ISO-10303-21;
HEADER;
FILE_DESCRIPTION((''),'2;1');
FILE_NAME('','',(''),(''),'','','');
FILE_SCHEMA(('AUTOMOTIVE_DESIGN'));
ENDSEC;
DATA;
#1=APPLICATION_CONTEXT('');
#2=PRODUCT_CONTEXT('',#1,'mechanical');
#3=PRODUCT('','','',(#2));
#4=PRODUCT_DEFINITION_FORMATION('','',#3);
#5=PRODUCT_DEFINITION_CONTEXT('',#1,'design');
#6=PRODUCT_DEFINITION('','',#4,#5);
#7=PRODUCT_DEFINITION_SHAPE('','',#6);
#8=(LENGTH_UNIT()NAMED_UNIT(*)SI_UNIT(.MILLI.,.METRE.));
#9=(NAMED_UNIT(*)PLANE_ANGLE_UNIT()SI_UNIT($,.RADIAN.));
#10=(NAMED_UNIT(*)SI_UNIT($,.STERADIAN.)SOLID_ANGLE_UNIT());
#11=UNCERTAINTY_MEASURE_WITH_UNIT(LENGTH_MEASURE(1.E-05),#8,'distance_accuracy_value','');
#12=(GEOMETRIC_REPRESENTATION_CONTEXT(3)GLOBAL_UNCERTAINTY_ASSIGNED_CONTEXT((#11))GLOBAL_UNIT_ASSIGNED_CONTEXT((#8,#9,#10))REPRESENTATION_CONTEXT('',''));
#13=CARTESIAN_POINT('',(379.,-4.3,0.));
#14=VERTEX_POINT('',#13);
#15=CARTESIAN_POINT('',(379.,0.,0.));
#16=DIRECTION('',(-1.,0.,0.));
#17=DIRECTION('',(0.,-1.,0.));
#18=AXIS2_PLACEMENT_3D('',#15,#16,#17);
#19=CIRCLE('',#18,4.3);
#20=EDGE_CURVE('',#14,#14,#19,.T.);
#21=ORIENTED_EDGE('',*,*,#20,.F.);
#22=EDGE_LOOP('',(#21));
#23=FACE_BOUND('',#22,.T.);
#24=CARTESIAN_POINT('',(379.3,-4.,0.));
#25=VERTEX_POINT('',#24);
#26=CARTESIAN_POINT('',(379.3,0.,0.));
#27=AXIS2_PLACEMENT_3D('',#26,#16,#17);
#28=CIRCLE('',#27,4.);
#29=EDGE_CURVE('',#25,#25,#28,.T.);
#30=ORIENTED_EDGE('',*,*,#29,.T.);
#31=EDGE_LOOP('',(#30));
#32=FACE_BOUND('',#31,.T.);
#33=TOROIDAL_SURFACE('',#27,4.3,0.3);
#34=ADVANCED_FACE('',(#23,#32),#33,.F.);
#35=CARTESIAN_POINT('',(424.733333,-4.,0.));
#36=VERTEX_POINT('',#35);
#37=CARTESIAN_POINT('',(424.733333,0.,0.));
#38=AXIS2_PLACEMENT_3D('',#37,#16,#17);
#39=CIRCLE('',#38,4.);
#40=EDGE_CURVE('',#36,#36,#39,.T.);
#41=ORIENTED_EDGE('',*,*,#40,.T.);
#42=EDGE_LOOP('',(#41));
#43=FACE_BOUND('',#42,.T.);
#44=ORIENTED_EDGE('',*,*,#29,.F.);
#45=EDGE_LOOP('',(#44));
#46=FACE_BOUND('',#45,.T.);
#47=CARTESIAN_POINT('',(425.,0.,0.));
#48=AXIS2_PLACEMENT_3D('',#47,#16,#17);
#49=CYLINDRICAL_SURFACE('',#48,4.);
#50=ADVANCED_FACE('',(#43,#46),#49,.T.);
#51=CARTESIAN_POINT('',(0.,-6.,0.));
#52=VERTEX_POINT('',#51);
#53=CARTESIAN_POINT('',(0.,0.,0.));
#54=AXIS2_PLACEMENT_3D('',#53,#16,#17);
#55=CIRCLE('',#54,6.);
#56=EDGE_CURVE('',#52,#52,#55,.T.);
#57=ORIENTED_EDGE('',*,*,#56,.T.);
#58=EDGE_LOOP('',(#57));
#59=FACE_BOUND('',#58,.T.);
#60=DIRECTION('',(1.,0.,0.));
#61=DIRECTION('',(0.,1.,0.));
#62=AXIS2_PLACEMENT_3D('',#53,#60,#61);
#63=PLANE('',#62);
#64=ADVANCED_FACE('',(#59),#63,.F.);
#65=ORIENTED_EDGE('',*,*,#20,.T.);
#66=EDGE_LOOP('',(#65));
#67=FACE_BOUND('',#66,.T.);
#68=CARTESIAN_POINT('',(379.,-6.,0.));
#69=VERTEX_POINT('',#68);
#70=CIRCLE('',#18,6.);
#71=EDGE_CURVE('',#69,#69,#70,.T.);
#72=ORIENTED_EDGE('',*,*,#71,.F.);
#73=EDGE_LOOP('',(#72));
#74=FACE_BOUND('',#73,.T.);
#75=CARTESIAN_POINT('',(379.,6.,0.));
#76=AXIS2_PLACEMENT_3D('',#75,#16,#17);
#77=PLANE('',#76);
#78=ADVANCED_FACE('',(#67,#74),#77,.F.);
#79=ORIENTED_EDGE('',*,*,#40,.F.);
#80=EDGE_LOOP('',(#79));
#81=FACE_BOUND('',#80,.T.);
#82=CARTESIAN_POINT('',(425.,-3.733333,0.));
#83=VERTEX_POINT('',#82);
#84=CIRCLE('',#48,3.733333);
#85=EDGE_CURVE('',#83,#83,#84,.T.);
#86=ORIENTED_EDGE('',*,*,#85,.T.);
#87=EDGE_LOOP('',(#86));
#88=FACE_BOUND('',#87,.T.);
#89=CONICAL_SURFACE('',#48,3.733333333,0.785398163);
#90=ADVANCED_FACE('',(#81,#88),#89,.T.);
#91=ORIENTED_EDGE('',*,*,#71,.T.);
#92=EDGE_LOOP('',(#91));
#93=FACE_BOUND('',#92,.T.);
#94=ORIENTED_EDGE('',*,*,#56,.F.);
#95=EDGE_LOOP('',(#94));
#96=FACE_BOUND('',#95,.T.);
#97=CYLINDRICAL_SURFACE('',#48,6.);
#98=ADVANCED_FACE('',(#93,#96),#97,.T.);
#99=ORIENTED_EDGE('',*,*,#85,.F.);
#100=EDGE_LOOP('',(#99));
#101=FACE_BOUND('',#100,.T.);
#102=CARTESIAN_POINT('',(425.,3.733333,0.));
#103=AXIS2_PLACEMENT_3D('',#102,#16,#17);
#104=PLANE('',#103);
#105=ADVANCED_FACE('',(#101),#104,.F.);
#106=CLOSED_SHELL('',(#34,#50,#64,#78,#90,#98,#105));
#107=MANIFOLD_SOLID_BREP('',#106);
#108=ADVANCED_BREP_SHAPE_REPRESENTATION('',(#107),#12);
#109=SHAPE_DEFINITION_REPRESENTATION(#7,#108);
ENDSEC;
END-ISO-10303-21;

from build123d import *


with BuildPart() as part:
    # Sketch1 → Revolve1 (revolve)
    with BuildSketch(Plane.XY):
        with BuildLine():
            Line((0, 0), (0, 6))
            Line((0, 6), (379, 6))
            Line((379, 6), (379, 4.3))
            ThreePointArc((379, 4.3), (379.087867966, 4.087867966), (379.3, 4))
            Line((379.3, 4), (424.733333333, 4))
            Line((424.733333333, 4), (425, 3.733333333))
            Line((425, 3.733333333), (425, 0))
            Line((425, 0), (0, 0))
        make_face()
    revolve(axis=Axis((425, 0, 0), (-1, 0, 0)))


solid = part.part
